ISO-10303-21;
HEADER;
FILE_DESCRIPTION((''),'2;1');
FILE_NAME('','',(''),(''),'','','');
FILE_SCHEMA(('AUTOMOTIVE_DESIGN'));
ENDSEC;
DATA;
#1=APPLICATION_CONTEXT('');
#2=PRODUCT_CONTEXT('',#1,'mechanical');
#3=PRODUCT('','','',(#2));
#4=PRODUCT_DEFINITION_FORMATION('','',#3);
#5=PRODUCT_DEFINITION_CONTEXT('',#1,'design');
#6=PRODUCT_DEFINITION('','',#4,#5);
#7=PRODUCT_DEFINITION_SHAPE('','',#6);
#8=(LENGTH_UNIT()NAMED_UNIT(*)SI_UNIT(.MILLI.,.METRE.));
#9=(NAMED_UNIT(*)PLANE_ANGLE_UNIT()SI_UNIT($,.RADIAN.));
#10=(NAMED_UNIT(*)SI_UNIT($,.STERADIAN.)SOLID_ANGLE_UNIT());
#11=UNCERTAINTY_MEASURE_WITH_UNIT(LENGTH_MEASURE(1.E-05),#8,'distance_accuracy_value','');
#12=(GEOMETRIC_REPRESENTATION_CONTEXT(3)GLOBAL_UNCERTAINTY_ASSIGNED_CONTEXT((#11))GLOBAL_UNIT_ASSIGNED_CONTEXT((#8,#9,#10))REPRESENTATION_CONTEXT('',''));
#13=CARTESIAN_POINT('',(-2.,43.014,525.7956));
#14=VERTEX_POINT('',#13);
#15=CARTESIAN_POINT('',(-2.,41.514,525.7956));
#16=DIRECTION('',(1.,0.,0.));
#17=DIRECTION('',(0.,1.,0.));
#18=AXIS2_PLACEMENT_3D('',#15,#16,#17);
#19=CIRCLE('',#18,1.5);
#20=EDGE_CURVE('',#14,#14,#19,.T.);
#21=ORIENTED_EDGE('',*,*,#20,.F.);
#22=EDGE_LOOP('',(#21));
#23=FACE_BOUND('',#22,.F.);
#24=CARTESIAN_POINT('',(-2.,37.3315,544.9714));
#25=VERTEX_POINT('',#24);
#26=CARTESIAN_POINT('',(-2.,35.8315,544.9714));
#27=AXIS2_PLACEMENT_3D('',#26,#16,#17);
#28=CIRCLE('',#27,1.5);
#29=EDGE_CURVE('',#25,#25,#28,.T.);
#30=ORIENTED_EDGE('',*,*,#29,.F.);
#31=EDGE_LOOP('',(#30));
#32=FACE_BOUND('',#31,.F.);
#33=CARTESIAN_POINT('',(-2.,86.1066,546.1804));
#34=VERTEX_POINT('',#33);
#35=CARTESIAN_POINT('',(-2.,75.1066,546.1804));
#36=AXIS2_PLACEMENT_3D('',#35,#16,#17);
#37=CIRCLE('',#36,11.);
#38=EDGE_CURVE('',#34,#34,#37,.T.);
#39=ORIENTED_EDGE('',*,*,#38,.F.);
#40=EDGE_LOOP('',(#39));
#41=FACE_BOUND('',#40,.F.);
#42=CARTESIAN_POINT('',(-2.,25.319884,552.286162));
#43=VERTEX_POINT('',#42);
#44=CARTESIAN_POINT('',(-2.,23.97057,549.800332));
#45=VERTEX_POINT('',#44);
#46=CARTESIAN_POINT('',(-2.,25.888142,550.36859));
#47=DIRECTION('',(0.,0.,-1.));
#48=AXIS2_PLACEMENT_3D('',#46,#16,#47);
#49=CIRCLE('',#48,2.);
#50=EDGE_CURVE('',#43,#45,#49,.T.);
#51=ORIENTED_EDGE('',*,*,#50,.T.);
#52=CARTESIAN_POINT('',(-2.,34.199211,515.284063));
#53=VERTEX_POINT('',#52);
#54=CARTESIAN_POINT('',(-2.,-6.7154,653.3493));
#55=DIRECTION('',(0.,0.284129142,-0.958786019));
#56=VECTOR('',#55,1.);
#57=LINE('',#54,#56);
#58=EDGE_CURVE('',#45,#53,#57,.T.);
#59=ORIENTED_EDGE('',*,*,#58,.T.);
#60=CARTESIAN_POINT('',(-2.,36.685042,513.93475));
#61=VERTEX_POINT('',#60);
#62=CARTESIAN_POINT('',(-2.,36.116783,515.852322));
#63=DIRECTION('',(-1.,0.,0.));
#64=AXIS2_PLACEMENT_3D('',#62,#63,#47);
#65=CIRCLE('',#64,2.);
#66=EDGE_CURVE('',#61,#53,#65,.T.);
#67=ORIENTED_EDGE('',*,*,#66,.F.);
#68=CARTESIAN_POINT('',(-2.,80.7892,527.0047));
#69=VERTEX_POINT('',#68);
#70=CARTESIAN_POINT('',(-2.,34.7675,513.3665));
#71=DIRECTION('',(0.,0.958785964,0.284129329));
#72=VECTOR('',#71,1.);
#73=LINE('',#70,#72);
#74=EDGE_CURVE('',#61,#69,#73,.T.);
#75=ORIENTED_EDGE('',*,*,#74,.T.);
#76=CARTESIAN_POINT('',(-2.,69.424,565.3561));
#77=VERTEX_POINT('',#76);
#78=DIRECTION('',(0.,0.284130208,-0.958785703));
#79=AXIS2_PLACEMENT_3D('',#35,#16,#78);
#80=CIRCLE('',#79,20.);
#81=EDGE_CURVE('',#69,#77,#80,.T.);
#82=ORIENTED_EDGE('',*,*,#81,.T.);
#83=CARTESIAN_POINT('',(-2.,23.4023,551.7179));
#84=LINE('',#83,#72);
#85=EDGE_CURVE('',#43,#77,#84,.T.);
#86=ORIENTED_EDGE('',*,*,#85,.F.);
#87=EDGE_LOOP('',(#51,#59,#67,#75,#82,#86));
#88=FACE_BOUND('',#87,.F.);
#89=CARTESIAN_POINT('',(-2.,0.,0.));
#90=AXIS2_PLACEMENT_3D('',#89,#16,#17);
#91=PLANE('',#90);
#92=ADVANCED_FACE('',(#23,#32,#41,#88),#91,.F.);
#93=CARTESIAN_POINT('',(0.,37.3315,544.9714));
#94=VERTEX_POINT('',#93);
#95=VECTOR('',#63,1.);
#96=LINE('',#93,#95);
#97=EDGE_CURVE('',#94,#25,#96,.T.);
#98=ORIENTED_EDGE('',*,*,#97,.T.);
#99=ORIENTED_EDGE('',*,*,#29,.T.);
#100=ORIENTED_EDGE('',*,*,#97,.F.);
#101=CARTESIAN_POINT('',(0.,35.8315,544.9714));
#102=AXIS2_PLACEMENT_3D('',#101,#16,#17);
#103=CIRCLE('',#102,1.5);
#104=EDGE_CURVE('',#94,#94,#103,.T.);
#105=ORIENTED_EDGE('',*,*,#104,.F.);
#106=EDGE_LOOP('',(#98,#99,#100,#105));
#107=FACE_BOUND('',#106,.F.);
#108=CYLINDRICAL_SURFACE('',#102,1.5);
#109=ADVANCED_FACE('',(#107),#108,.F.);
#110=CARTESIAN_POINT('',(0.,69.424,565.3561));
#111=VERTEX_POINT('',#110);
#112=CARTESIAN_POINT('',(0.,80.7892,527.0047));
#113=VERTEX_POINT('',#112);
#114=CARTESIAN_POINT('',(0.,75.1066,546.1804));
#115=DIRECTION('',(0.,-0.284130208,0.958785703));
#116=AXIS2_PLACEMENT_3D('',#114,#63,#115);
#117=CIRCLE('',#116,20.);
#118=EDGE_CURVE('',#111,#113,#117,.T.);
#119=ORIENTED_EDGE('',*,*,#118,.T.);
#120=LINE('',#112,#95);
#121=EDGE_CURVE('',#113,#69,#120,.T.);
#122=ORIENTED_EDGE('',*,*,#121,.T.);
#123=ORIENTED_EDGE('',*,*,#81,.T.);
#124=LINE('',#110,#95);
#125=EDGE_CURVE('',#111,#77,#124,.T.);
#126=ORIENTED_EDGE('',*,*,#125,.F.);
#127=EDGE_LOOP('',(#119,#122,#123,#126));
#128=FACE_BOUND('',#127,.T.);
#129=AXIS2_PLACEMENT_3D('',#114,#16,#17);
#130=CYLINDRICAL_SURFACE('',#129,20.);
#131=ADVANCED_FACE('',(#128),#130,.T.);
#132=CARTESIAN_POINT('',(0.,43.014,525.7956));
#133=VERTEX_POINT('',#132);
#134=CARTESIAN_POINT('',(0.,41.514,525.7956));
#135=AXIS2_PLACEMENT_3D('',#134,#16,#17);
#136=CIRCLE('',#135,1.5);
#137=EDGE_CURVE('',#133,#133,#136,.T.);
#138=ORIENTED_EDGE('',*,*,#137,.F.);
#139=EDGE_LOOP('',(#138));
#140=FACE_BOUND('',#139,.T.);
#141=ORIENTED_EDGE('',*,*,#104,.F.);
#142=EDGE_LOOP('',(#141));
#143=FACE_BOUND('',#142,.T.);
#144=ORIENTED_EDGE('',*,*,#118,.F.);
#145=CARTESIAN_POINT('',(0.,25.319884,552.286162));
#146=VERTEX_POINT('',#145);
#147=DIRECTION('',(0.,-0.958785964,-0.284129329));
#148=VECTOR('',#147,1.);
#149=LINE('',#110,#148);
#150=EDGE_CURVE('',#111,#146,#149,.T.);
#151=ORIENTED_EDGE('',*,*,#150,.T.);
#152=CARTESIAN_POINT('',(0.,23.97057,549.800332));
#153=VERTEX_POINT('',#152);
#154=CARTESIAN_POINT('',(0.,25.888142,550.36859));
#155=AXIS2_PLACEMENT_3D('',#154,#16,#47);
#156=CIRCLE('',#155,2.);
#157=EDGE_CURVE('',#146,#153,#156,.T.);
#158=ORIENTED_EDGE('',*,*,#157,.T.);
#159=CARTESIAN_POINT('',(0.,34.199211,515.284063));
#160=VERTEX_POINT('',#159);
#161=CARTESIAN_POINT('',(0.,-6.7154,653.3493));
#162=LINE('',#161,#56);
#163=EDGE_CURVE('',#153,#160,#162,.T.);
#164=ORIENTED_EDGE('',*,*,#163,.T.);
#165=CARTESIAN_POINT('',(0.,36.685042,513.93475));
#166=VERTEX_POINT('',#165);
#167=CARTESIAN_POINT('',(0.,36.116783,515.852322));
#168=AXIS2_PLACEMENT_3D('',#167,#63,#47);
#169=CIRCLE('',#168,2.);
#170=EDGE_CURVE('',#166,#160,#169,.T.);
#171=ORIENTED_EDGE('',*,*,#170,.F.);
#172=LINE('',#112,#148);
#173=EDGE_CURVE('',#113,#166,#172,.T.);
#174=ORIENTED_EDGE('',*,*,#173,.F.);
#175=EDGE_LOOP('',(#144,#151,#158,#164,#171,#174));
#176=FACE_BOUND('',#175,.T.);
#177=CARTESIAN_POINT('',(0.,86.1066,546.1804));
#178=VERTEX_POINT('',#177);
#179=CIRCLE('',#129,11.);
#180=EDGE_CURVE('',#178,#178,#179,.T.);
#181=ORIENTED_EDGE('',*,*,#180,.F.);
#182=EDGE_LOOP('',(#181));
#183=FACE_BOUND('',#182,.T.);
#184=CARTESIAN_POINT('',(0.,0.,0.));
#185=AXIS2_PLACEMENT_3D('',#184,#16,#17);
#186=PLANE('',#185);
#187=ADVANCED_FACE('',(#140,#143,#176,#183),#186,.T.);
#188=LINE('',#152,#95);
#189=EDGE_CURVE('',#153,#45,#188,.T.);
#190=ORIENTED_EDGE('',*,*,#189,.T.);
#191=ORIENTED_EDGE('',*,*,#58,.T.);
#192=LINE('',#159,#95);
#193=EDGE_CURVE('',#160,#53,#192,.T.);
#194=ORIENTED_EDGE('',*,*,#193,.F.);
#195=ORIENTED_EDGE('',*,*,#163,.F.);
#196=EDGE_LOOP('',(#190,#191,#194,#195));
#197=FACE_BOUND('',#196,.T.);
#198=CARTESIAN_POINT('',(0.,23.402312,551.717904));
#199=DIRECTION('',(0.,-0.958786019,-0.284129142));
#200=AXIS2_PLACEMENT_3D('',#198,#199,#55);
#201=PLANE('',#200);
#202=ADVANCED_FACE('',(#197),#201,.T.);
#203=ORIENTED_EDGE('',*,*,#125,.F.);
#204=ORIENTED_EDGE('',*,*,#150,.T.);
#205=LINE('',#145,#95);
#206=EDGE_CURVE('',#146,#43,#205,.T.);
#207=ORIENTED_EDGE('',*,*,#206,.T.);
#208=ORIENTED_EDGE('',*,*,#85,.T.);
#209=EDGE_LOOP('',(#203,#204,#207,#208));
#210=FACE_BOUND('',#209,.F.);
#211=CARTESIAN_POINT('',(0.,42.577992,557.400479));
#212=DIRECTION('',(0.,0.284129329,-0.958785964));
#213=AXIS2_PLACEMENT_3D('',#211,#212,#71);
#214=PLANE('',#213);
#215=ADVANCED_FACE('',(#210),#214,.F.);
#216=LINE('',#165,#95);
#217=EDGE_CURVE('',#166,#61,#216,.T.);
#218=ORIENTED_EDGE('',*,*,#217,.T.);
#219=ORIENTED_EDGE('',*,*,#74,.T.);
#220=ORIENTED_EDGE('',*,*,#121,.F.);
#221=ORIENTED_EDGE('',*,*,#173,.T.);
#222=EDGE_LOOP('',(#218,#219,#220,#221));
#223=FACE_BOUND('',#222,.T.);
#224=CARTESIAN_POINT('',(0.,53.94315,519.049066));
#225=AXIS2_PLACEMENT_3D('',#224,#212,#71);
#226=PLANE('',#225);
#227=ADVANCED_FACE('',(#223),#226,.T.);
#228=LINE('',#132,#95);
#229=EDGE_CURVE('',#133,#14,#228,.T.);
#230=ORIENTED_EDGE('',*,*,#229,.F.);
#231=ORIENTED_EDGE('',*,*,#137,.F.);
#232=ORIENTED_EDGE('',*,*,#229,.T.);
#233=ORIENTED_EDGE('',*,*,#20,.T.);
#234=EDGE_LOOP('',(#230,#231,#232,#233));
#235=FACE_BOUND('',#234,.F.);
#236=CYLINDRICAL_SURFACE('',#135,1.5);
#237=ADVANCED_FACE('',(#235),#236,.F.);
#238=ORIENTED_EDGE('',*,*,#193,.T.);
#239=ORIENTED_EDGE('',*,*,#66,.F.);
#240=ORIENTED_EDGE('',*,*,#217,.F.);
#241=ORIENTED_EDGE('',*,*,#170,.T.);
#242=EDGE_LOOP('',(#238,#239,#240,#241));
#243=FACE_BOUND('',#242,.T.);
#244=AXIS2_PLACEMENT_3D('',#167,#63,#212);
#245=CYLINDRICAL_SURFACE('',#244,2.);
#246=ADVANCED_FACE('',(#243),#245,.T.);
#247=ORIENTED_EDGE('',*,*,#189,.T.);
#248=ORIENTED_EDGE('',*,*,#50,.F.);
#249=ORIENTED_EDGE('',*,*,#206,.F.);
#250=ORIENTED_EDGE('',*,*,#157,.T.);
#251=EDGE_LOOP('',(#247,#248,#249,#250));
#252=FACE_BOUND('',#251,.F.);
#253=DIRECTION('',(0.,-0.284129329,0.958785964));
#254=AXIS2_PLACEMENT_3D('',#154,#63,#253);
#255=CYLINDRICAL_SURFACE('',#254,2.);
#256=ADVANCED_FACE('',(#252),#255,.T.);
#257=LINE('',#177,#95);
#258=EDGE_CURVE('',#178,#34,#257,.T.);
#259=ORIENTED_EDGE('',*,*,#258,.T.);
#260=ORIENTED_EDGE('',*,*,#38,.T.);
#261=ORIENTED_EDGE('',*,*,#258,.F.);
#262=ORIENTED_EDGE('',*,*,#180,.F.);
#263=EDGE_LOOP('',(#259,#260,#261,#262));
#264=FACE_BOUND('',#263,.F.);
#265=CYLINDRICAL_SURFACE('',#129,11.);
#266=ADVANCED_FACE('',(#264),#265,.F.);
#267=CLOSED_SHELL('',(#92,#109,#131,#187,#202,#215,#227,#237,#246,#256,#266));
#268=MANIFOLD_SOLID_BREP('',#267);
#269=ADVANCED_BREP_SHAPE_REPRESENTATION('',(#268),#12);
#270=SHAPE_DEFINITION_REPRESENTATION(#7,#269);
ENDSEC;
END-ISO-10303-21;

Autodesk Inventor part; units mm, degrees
ref_plane "YZ Plane" through (0, 0, 0) normal (1, 0, 0) x (0, 1, 0)
ref_plane "XZ Plane" through (0, 0, 0) normal (0, 1, 0) x (-1, 0, 0)
ref_plane "XY Plane" through (0, 0, 0) normal (0, 0, 1) x (1, 0, 0)
sketch "スケッチ1" plane through (0, 0, 0) normal (1, 0, 0) x (0, 1, 0)
  circle A0 centre (75.1066, 546.1804) radius 20
  line L0 (398.3077, -642.9996) -> (12.4603, 659.0318)
  line L1 (-81.8954, -654.6507) -> (-61.8954, -654.6507)
  line L2 (-6.7154, 653.3493) -> (379.132, -648.6822)
  line L3 (23.4023, 551.7179) -> (69.424, 565.3561)
  line L4 (34.7675, 513.3665) -> (80.7892, 527.0047)
  circle A1 centre (75.1066, 546.1804) radius 11
  line L5 (12.4603, 659.0318) -> (-6.7154, 653.3493)
  circle A2 centre (35.8315, 544.9714) radius 1.5
  circle A3 centre (41.514, 525.7956) radius 1.5
  point P0 (0, 0)
  point P1 (-384.8954, -222.3173)
  dimension "d0" = 40
  dimension "d1" = 28
  dimension "d2" = 22
  dimension "d3" = 106
  dimension "d4" = 3
  dimension "d5" = 3
  dimension "d6" = 10
  dimension "d7" = 10
  dimension "d8" = 10
  dimension "d9" = 20
extrude "押し出し1" add sketch "スケッチ1" against normal blind 2 contours A0 | A0 L4 L0 L3 | L0 L4 L2 L3
fillet "フィレット1" radius 2 2 edges at (-1, 23.4023, 551.7179) (-1, 34.7675, 513.3665)
equation "\"d7\" = d6"
equation "\"d8\" = d6"
properties part number "dribl-v1-Plate-13" material "アルミニウム 6061"
